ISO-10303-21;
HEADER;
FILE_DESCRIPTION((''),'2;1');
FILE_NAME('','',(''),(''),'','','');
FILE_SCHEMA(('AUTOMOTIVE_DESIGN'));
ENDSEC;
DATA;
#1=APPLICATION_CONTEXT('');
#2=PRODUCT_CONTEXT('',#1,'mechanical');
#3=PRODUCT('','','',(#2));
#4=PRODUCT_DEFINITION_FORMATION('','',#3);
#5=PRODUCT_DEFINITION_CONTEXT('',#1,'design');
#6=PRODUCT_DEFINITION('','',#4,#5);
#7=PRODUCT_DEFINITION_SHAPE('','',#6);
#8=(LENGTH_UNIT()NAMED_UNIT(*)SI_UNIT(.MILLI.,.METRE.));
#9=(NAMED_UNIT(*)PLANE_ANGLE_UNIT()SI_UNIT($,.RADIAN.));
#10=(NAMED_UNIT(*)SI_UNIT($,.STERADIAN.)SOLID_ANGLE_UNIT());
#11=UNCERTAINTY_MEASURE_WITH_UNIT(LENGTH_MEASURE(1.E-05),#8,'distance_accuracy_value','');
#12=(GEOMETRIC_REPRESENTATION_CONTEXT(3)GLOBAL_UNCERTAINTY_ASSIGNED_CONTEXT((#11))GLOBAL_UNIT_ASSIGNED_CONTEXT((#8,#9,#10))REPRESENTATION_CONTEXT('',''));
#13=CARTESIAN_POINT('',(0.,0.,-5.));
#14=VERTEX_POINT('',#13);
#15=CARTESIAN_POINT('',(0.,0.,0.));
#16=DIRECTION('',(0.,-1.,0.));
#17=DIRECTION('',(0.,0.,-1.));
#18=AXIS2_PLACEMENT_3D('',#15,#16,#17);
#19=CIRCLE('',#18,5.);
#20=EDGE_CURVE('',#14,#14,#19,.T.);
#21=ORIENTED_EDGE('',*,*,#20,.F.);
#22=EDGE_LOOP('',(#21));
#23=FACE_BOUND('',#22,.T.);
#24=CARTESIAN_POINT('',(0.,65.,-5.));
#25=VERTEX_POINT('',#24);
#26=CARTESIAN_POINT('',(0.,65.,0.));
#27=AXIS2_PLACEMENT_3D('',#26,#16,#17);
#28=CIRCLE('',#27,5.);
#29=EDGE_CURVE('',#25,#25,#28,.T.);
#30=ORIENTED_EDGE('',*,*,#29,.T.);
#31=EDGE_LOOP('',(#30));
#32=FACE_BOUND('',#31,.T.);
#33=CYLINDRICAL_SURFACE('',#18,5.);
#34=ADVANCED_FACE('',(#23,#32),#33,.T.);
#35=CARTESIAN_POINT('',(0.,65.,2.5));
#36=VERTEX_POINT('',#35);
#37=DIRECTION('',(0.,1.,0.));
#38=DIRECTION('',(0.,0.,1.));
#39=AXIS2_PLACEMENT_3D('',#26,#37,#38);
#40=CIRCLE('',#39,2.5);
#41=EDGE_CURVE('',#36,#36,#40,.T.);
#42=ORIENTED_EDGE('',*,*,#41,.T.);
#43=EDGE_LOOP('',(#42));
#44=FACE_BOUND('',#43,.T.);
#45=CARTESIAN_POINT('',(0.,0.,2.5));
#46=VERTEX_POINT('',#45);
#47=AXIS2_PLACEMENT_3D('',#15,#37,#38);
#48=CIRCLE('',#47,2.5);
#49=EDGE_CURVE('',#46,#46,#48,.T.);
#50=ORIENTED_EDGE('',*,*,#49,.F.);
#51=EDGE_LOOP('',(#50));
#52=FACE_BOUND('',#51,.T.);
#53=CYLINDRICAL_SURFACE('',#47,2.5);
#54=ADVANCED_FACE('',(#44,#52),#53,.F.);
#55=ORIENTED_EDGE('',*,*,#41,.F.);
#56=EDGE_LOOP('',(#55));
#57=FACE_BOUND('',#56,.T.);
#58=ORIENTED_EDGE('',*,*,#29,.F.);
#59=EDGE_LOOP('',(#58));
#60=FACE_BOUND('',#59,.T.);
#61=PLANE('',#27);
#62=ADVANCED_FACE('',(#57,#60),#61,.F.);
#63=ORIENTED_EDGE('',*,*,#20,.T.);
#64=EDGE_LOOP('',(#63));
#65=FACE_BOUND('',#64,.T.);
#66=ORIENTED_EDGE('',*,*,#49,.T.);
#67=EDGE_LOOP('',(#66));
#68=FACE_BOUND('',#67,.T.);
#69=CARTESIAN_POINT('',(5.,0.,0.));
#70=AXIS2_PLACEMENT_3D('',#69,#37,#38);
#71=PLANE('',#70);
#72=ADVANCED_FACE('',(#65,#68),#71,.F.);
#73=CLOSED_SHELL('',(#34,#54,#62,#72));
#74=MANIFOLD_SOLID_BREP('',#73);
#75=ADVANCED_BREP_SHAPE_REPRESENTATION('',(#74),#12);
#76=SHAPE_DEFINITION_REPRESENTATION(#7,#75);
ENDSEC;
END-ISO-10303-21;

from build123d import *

# Parameters (mm, degrees)
ESQUISSE1_W             = 5
ESQUISSE1_H             = 65
ESQUISSE2_R             = 2.5
ENL_V_MAT_EXTRU_1_DEPTH = 66.383484153


with BuildPart() as part:
    # Esquisse1 → Révol.-Mince1 (revolve)
    with BuildSketch(Plane.XY, mode=Mode.PRIVATE) as r_vol_mince1_sk:
        with Locations((-2.5, 32.5)):
            Rectangle(ESQUISSE1_W, ESQUISSE1_H)
    revolve(r_vol_mince1_sk.sketch.rotate(Axis((0, 0, 0), (0, 1, 0)), 270), axis=Axis((0, 0, 0), (0, 1, 0)))

    # Esquisse2 → Enlèv. mat.-Extru.1 (cut, through all)
    with BuildSketch(Plane(origin=(0, 65, 0), x_dir=(1, 0, 0), z_dir=(0, 1, 0))):
        with Locations(Location((0, 0, 0), (0, 0, 270))):
            Circle(ESQUISSE2_R)
    extrude(amount=-ENL_V_MAT_EXTRU_1_DEPTH, mode=Mode.SUBTRACT)


solid = part.part
